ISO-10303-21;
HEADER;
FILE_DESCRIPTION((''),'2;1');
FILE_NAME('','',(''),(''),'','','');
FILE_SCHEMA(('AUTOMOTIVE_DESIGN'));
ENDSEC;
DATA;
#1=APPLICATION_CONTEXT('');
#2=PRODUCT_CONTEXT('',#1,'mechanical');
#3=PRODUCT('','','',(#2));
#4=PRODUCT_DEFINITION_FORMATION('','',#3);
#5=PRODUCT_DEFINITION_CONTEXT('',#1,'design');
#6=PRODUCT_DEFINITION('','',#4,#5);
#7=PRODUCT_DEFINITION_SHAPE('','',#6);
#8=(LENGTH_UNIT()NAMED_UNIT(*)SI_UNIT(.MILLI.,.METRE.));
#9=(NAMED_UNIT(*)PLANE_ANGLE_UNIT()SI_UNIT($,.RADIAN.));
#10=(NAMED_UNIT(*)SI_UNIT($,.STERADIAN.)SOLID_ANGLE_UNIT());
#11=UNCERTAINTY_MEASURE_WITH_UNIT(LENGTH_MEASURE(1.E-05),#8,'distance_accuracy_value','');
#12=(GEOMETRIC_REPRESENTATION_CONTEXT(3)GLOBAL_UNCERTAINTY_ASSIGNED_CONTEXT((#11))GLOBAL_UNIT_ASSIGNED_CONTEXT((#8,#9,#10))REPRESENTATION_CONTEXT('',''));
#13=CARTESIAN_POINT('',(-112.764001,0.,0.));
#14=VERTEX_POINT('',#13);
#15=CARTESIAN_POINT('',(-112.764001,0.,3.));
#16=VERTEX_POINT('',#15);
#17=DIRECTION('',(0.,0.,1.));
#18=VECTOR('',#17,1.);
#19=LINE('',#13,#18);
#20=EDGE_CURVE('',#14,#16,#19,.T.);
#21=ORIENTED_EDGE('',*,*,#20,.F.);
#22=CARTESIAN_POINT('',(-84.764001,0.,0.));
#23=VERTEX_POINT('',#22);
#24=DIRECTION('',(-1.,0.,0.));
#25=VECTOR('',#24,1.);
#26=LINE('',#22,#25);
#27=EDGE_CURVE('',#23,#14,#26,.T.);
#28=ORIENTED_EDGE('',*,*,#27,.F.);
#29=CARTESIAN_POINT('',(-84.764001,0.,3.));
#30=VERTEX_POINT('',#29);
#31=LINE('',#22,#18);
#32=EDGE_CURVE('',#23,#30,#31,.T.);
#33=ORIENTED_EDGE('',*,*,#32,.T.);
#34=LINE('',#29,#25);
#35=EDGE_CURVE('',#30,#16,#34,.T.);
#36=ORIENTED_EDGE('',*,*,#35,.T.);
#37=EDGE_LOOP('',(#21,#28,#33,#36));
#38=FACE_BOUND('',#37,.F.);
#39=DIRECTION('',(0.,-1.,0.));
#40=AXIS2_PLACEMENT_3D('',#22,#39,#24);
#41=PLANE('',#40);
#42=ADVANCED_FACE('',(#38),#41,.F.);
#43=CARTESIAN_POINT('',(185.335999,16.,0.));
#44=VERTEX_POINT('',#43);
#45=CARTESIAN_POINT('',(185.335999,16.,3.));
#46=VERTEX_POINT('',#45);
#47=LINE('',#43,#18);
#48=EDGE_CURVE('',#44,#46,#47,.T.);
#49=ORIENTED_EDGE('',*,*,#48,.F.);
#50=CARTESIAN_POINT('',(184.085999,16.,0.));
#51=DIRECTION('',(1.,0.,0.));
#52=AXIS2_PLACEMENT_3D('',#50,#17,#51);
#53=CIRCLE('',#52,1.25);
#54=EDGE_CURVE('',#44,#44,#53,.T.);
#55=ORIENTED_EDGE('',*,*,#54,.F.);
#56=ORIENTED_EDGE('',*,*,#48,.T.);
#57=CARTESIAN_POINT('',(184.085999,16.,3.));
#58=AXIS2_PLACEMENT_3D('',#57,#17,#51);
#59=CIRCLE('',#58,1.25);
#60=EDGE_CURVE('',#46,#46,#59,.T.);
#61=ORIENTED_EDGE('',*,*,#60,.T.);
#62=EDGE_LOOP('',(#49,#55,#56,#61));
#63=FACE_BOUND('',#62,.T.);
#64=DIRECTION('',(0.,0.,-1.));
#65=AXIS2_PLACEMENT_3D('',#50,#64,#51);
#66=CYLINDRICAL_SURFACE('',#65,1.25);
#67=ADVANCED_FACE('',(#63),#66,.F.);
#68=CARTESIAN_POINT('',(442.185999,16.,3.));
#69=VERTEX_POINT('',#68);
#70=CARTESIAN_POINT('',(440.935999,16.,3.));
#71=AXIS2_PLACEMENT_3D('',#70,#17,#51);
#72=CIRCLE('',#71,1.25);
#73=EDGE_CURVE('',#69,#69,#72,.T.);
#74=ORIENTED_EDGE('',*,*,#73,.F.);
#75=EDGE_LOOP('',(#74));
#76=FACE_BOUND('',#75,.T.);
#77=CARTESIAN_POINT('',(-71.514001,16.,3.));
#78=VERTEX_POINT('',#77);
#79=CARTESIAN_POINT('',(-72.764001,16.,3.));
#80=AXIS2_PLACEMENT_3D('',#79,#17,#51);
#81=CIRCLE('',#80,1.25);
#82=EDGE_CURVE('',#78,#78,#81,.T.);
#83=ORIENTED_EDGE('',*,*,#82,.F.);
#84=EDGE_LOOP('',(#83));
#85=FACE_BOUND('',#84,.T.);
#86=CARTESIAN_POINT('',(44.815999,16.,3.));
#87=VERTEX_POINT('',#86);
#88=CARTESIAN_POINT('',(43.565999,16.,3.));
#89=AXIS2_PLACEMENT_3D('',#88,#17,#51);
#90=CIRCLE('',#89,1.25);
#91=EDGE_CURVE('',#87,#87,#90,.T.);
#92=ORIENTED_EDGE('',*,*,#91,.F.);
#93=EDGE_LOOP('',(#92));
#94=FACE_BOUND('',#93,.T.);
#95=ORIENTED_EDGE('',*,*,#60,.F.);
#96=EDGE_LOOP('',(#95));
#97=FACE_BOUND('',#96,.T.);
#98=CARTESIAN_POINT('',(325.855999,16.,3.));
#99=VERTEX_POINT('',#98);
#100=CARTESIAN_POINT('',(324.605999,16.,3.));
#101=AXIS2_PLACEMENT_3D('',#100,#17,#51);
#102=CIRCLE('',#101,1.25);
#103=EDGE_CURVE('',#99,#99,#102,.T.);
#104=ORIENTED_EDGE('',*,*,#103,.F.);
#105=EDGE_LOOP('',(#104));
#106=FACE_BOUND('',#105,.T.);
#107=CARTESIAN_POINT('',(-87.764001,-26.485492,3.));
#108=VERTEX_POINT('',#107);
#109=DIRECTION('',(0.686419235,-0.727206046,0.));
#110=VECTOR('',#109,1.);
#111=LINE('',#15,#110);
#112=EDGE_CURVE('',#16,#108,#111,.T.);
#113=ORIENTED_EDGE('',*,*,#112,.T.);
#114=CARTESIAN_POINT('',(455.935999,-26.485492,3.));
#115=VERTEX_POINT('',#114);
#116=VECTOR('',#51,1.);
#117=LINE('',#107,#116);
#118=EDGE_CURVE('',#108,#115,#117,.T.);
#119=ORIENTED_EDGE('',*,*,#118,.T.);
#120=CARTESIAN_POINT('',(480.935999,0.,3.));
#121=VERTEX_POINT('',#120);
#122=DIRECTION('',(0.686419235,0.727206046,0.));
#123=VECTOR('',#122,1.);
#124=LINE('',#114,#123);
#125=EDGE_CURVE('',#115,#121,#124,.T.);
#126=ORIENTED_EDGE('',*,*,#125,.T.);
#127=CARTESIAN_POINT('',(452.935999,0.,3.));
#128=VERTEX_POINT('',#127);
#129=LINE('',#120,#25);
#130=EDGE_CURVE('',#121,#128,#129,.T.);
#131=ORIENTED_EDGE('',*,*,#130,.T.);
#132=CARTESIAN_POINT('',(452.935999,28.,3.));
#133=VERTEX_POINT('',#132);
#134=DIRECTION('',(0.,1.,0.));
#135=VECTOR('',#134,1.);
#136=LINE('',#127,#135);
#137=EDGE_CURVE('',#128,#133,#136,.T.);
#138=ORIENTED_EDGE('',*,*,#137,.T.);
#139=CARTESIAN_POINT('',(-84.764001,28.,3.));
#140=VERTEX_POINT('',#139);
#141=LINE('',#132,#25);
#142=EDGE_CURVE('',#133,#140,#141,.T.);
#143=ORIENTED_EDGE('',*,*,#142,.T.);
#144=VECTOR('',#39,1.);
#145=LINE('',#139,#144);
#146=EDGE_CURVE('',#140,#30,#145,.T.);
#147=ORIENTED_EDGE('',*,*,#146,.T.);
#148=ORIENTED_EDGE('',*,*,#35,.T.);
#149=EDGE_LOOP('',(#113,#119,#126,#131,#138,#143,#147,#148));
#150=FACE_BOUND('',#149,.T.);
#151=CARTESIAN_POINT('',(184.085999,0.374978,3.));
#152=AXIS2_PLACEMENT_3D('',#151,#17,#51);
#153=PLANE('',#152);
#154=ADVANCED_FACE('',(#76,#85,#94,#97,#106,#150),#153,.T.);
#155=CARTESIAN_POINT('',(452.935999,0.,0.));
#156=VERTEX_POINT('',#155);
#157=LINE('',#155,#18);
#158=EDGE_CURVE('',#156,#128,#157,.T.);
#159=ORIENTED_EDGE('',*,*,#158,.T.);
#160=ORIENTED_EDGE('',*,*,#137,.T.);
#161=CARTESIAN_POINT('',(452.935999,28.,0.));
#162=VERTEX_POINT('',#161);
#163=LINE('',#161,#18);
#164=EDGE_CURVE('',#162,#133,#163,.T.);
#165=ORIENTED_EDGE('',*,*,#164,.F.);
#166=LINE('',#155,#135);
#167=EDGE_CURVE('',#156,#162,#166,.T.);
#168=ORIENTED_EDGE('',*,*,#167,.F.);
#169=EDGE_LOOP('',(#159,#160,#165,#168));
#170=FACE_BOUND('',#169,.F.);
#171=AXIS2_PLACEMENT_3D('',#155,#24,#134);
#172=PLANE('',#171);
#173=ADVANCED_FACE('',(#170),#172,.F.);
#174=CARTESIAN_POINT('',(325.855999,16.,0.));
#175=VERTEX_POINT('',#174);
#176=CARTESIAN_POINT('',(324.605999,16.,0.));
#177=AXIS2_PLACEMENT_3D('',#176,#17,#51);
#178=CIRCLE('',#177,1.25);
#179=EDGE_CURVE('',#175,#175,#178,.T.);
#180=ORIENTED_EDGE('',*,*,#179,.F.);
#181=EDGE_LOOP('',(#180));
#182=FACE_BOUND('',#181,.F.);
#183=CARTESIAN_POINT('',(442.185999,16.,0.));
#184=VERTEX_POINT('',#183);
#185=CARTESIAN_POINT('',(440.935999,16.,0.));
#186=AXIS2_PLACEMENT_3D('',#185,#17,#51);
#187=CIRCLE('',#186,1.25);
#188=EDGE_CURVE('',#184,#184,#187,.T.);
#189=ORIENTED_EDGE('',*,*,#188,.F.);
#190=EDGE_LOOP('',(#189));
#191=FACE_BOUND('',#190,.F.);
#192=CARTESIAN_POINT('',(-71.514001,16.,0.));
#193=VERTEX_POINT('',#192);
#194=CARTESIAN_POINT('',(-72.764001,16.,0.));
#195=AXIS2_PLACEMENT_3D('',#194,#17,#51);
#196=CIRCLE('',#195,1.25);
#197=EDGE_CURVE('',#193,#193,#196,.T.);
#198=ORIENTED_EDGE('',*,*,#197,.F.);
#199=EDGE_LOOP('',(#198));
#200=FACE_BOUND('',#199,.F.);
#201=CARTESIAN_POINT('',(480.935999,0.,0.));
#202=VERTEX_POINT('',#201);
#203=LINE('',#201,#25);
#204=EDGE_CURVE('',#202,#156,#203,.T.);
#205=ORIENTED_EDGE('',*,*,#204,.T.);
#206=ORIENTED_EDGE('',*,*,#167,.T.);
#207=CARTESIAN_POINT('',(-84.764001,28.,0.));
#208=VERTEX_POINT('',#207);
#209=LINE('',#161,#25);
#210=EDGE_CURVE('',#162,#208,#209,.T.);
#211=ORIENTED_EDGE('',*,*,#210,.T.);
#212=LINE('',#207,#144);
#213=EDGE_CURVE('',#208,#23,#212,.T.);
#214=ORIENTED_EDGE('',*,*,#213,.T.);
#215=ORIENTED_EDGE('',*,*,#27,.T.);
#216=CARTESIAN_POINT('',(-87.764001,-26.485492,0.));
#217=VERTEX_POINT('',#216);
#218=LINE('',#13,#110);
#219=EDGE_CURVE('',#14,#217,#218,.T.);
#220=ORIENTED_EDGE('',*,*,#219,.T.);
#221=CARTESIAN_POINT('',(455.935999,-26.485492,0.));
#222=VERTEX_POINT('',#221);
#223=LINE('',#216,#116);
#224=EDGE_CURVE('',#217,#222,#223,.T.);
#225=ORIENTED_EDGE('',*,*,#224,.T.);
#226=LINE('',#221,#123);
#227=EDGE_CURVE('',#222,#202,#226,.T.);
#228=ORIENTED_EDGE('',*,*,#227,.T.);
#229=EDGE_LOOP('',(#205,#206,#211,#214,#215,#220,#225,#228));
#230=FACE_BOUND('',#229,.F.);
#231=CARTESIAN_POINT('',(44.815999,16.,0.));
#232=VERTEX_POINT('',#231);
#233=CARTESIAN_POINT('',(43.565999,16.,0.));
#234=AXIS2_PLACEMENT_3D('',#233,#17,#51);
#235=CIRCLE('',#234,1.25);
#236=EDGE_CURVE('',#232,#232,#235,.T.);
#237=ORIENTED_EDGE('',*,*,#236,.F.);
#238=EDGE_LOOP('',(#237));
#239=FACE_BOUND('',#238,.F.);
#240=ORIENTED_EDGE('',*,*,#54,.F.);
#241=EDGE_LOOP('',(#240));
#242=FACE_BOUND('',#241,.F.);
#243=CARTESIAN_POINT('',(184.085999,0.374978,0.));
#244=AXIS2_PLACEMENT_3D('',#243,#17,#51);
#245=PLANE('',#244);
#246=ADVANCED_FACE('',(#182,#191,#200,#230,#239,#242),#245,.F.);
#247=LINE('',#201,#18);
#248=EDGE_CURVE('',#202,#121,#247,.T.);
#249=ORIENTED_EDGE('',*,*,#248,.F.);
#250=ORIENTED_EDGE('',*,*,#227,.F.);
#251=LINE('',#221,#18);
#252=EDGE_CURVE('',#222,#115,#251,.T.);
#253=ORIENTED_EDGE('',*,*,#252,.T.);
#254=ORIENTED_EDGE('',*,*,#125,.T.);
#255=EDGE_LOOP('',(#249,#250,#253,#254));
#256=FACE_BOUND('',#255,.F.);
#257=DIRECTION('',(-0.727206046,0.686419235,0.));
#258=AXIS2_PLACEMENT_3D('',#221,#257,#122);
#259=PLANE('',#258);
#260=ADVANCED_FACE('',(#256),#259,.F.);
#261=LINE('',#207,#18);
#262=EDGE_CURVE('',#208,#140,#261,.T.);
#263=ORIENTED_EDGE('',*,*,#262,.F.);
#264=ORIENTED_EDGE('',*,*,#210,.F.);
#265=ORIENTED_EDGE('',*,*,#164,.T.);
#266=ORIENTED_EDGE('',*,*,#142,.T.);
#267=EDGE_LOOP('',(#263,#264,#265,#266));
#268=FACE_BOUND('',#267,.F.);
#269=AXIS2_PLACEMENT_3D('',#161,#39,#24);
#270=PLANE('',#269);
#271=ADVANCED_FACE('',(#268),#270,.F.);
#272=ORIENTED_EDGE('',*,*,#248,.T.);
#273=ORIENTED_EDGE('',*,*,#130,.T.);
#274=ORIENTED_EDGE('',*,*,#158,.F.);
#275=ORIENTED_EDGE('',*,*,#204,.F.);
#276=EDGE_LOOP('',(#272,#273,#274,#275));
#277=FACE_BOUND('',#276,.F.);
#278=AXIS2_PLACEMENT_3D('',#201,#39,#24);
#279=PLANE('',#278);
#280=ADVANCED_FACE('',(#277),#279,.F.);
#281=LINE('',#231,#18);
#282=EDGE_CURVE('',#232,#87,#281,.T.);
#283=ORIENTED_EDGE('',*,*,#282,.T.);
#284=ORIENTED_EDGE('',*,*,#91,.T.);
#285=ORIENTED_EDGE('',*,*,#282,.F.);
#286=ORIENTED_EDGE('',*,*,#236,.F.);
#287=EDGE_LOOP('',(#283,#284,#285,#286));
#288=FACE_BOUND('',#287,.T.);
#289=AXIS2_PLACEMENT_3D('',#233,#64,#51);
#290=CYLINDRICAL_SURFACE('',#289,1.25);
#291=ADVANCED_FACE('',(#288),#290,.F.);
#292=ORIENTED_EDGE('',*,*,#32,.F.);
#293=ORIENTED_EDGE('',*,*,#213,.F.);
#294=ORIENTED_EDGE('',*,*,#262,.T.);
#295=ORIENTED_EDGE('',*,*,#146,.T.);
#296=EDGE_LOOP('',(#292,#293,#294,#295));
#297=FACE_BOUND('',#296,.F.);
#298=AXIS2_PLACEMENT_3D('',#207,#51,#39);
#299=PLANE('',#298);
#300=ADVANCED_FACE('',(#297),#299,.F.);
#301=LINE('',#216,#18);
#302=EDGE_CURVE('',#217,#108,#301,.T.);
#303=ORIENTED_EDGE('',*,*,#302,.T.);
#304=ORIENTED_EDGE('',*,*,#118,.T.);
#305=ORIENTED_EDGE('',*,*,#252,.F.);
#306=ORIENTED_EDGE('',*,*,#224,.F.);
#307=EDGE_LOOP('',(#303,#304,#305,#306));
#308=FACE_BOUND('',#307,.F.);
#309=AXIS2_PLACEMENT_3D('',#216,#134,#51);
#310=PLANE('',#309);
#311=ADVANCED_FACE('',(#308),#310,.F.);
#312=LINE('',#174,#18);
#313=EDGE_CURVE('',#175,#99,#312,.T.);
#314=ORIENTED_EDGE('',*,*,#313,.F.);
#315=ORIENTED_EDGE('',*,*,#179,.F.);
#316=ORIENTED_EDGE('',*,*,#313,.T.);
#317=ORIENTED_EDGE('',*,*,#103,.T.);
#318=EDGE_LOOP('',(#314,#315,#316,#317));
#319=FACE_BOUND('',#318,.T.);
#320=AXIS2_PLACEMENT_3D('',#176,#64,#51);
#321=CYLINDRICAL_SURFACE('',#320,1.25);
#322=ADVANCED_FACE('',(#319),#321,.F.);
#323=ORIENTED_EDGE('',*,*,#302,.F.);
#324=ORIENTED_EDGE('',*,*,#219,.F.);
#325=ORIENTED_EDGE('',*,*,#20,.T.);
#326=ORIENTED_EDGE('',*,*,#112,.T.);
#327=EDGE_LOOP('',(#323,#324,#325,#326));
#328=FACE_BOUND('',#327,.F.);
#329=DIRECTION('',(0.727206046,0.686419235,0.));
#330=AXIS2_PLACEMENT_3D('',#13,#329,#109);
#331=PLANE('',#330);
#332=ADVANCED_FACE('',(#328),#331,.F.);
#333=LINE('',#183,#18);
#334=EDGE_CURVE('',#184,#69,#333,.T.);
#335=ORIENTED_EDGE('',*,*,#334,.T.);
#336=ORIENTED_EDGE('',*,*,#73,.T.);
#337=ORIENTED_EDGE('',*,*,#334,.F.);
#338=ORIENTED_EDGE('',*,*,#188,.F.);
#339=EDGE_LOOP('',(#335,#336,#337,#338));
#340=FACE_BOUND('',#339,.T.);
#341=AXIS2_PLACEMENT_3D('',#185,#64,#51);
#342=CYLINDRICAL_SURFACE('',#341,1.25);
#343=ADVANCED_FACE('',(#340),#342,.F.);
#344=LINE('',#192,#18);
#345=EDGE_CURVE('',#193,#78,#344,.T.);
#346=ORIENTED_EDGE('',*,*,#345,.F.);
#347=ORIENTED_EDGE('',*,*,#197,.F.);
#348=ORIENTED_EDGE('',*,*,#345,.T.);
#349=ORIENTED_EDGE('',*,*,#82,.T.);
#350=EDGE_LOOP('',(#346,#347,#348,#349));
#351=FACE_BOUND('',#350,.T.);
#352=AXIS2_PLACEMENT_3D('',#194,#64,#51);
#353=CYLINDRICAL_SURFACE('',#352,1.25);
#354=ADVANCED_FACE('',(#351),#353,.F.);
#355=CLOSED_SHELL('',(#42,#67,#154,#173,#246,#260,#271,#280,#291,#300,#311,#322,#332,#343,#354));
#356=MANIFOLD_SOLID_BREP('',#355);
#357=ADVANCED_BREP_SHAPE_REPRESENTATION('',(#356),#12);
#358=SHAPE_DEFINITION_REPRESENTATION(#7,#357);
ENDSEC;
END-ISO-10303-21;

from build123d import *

# Parameters (mm, degrees)
F0_R     = 1.25
F1_DEPTH = 3


with BuildPart() as f1:
    # F0 (on Top) → F1 (new body)
    with BuildSketch(Plane.XY):
        Polygon((-87.764001, -26.485492), (455.935999, -26.485492), (480.935999, 0), (452.935999, 0), (452.935999, 28), (-84.764001, 28), (-84.764001, 0), (-112.764001, 0), align=None)
        with Locations((-72.764001, 16)):
            Circle(F0_R, mode=Mode.SUBTRACT)
        with Locations((43.565999, 16)):
            Circle(F0_R, mode=Mode.SUBTRACT)
        with Locations((184.085999, 16)):
            Circle(F0_R, mode=Mode.SUBTRACT)
        with Locations((324.605999, 16)):
            Circle(F0_R, mode=Mode.SUBTRACT)
        with Locations((440.935999, 16)):
            Circle(F0_R, mode=Mode.SUBTRACT)
    extrude(amount=F1_DEPTH)


solid = f1.part
